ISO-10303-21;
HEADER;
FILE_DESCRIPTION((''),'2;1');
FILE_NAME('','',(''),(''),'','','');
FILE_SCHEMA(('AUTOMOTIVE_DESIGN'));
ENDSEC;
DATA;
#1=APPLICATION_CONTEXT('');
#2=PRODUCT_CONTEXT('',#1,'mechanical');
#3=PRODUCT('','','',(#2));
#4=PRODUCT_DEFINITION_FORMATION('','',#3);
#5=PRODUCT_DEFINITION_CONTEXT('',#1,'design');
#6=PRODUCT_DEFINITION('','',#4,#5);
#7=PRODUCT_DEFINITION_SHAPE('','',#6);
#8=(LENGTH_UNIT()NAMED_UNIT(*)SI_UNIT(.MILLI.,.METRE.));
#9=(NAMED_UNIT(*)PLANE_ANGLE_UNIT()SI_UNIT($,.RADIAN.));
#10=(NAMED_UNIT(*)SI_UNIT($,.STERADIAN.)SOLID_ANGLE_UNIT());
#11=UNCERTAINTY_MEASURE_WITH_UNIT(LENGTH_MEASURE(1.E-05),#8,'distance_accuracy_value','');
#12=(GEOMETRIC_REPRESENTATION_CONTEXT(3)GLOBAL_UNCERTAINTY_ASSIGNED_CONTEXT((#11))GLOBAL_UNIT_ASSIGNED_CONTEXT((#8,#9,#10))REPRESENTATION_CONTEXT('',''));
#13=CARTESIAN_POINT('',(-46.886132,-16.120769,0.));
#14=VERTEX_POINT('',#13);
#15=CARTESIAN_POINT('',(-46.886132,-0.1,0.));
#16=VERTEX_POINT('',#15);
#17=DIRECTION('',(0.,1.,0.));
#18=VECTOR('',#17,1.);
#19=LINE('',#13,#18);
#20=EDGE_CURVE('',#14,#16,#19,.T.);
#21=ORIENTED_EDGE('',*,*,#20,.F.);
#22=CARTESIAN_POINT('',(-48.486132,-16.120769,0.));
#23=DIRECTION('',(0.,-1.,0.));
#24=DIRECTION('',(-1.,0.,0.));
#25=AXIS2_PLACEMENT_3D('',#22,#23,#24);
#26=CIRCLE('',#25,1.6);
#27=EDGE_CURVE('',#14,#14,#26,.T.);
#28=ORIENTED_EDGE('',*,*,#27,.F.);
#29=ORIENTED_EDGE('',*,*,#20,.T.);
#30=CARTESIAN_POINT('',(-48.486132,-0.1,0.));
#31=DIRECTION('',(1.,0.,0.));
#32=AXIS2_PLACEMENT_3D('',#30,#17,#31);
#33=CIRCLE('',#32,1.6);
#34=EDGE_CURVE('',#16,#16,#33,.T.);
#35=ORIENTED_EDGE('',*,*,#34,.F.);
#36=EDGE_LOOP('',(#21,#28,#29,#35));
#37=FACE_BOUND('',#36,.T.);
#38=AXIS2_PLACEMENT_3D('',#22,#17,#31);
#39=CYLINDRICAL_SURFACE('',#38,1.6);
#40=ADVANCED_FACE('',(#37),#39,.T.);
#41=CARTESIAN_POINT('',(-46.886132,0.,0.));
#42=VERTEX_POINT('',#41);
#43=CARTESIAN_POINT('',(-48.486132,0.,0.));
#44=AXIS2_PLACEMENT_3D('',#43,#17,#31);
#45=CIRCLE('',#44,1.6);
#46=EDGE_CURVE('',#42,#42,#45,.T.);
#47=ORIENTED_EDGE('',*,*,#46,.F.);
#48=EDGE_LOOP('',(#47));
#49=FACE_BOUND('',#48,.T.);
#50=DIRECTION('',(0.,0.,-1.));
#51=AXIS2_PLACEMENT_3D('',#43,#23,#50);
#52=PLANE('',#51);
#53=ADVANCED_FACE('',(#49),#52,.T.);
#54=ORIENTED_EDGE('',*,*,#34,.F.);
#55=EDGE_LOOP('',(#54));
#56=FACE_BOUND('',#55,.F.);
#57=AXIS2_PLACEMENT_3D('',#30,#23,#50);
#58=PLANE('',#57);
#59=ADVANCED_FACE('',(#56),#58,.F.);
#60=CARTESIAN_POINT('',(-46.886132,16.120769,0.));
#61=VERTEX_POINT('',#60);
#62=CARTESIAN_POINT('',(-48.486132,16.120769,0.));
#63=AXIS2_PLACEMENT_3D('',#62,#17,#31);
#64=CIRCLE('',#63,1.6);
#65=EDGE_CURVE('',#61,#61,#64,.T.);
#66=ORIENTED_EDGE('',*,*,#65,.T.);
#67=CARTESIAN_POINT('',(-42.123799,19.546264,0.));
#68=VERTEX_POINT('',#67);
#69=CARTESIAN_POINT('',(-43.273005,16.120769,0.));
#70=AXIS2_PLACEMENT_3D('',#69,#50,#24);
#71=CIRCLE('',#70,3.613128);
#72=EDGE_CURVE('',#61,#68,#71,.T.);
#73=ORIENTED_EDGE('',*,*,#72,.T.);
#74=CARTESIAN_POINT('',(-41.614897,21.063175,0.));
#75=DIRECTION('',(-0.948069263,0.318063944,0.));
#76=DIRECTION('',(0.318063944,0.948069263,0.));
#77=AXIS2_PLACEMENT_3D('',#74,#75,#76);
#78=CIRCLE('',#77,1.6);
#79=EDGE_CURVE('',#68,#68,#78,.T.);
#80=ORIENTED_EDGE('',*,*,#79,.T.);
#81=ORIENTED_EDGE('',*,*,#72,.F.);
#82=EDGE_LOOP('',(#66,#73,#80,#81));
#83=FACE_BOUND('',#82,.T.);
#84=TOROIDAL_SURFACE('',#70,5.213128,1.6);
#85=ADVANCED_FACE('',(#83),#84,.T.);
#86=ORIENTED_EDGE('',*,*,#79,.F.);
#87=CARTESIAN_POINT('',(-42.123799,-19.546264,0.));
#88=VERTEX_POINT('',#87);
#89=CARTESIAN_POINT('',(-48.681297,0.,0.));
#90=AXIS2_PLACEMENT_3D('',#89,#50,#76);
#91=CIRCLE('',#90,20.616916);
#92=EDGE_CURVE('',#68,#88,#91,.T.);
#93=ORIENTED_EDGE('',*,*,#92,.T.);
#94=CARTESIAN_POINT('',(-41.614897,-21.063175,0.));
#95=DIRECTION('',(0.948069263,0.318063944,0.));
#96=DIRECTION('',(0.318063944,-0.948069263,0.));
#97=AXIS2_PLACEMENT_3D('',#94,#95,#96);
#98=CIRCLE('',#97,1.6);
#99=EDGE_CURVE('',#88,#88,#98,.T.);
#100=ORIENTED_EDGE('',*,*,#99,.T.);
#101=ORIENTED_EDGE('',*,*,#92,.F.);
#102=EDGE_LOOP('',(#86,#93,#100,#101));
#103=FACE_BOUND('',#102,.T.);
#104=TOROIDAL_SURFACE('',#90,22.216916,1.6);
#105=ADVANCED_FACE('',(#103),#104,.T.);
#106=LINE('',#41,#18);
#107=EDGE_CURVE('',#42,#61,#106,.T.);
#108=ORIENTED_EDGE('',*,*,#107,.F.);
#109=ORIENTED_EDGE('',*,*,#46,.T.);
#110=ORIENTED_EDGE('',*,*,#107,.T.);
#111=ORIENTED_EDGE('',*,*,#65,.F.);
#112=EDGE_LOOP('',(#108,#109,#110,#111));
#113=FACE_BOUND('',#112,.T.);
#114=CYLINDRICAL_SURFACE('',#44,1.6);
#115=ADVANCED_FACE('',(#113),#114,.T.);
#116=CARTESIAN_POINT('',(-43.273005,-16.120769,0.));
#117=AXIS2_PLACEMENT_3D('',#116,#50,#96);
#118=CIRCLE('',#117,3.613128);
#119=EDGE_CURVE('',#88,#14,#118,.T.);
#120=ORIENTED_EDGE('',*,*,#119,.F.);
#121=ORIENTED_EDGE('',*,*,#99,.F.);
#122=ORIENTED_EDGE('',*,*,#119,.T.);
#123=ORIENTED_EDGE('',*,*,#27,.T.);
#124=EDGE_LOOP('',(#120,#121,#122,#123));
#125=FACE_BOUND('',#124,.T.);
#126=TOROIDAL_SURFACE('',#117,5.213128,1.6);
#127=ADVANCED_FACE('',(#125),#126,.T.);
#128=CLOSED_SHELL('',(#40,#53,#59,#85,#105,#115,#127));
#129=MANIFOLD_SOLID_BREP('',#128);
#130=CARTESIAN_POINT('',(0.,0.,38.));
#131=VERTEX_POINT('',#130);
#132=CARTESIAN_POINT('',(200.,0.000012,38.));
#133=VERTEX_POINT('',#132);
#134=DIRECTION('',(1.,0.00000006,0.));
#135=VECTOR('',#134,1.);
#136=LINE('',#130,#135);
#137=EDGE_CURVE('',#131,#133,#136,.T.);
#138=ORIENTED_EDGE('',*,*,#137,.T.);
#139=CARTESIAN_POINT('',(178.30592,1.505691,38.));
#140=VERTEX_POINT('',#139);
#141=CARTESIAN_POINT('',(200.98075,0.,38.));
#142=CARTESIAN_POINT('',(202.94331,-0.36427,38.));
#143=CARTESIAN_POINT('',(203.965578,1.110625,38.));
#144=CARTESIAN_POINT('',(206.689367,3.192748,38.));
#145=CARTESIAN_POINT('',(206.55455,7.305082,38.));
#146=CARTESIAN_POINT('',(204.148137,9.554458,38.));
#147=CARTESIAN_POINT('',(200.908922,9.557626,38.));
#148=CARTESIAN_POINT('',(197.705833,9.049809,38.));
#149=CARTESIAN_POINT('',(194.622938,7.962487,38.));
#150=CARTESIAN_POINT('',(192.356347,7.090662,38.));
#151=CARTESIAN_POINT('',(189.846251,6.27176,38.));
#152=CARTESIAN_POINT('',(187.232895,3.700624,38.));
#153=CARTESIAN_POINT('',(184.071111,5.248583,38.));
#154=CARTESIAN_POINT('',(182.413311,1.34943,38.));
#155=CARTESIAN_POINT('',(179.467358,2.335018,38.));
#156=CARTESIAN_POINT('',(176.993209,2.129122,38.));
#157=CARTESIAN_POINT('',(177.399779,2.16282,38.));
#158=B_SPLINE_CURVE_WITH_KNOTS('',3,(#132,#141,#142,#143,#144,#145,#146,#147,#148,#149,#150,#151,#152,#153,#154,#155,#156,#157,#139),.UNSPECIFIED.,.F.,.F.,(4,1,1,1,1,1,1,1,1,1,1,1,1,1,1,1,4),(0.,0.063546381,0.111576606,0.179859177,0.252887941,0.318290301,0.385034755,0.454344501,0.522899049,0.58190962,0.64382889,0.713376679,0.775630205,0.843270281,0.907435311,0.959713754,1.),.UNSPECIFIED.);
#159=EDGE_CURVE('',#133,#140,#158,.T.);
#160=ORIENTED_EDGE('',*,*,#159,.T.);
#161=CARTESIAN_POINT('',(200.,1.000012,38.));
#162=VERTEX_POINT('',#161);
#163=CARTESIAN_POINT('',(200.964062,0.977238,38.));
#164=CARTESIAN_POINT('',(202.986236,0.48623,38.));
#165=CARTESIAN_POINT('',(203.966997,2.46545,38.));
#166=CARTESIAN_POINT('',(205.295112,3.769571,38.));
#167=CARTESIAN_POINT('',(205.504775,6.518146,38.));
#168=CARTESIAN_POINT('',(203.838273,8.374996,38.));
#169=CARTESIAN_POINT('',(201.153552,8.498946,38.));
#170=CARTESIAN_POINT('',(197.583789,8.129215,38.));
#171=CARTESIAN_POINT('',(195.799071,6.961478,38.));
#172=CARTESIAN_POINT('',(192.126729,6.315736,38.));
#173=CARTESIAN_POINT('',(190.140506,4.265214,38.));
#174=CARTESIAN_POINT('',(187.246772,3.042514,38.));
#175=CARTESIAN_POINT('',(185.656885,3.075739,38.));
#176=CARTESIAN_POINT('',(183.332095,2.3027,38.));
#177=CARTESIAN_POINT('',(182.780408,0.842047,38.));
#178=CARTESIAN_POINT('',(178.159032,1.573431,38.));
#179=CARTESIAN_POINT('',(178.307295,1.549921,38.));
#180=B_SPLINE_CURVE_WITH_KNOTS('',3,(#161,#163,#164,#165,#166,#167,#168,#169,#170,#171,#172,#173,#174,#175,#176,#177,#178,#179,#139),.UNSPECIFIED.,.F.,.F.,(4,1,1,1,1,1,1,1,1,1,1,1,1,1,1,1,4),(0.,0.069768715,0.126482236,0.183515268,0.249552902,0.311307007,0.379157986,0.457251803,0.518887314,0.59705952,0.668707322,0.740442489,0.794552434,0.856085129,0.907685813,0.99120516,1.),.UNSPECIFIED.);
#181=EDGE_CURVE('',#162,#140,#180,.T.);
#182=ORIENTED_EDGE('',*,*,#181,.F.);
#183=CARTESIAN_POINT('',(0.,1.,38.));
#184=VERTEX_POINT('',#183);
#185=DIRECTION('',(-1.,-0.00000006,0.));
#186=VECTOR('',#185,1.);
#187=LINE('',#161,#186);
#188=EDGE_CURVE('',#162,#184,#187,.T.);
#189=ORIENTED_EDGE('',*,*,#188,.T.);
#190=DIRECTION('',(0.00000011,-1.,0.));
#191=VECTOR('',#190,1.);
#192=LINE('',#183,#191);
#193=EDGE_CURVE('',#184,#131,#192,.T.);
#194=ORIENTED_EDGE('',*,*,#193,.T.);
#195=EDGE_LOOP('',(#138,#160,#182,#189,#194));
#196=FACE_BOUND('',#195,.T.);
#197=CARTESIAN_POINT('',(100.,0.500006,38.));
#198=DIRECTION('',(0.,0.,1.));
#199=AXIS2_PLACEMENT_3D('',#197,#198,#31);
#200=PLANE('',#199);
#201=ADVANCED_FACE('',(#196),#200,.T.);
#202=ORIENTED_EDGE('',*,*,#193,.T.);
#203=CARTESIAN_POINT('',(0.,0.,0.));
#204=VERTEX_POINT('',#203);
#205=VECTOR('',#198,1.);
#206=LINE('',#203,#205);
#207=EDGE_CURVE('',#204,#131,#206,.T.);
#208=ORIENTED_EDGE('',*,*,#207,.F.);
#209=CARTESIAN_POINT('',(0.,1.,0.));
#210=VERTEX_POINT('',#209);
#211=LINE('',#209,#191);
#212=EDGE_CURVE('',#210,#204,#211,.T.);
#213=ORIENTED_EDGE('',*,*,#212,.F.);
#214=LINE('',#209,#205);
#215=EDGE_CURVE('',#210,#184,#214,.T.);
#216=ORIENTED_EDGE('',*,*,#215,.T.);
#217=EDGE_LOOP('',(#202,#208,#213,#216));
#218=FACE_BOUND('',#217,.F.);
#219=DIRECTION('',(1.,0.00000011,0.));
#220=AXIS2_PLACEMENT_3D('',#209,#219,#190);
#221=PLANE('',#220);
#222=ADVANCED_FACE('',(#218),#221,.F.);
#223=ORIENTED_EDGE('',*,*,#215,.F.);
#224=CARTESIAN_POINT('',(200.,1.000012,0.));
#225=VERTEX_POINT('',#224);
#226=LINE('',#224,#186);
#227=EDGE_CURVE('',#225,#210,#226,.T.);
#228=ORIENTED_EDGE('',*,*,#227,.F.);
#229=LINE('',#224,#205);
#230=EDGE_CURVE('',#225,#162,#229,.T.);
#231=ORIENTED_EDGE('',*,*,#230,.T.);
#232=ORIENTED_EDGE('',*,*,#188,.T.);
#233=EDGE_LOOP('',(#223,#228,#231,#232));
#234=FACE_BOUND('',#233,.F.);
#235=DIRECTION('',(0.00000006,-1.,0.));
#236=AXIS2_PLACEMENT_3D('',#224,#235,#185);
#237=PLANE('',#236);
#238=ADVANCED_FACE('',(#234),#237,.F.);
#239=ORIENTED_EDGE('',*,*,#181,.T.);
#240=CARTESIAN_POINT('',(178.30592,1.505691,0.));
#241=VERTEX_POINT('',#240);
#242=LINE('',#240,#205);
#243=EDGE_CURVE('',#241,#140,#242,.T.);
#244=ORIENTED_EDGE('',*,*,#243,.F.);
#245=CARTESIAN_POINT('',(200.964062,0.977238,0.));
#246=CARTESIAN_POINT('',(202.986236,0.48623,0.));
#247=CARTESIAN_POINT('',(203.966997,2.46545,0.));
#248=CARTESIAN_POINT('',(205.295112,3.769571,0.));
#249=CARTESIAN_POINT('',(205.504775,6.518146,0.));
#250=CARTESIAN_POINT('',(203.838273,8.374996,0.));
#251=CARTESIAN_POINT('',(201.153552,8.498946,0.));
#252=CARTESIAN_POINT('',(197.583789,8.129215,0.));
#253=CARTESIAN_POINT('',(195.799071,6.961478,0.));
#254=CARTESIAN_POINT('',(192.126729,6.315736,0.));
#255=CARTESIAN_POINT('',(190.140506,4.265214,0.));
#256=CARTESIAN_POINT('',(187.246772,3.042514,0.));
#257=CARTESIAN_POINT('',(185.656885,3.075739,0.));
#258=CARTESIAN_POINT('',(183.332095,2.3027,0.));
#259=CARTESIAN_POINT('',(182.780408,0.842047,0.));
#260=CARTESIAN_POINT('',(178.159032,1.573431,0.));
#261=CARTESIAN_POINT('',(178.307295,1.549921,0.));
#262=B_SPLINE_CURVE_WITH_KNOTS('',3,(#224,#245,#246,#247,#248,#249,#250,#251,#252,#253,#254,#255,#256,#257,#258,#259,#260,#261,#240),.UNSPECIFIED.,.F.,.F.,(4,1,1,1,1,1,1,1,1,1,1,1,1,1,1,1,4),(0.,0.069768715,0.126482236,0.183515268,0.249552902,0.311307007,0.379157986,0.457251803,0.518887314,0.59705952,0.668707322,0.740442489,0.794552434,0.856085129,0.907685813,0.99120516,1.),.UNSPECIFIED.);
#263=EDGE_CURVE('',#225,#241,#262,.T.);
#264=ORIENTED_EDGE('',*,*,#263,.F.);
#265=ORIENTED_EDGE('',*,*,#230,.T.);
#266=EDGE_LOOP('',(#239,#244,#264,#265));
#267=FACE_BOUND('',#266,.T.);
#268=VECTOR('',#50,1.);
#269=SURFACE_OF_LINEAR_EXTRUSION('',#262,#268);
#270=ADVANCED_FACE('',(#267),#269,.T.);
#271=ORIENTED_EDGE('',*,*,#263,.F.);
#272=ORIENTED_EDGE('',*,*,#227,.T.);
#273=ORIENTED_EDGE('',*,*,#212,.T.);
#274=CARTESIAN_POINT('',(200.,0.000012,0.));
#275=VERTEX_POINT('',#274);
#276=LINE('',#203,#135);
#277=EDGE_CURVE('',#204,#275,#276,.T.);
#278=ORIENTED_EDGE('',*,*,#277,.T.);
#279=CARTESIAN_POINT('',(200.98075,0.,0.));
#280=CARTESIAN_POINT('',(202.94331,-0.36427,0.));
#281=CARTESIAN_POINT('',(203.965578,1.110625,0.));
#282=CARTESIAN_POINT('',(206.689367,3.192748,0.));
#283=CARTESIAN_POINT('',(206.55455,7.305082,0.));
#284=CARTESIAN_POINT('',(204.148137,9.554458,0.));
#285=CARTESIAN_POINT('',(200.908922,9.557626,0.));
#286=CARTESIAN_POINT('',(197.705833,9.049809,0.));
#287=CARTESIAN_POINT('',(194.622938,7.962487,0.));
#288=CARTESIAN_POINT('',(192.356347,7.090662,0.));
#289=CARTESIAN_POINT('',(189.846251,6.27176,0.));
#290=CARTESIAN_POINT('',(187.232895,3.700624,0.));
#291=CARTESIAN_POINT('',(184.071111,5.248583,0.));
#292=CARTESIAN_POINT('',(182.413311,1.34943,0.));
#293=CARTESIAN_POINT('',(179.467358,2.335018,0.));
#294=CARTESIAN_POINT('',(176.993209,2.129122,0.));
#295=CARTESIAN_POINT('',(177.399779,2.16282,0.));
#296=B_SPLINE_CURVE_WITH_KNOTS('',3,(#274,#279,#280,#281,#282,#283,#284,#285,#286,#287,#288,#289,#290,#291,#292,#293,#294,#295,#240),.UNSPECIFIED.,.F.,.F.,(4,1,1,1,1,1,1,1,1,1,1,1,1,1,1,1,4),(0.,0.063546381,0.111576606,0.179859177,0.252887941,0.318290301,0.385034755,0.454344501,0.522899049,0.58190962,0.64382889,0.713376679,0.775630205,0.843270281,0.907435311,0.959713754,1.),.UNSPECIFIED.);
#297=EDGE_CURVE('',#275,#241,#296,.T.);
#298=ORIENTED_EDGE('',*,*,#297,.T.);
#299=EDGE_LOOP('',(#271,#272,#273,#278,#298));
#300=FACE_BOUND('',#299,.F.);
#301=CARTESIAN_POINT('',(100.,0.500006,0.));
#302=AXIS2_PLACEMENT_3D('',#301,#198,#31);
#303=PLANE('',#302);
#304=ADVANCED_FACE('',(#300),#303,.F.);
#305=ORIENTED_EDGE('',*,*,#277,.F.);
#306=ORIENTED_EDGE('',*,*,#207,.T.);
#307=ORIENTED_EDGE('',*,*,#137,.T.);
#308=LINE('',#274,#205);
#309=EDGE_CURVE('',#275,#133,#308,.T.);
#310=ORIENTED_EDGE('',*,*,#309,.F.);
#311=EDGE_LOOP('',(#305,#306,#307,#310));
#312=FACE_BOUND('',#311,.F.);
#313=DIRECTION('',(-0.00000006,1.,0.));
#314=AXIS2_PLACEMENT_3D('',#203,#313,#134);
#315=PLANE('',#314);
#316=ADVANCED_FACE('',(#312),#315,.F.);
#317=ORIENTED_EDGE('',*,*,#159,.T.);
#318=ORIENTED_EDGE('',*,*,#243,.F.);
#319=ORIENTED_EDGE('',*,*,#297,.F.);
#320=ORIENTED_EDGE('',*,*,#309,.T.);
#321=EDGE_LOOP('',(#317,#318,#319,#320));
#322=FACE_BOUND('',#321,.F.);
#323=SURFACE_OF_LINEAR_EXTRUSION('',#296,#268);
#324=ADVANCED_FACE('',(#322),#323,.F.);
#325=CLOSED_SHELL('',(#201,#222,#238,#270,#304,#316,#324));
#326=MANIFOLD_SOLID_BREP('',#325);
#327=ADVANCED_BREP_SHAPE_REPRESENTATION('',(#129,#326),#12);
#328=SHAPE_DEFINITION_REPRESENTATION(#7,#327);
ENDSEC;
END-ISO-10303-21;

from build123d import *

# Parameters (mm, degrees)
F1_R     = 1.6
F4_DEPTH = 38


with BuildPart() as f2:
    # F2: sweep along a path in F0
    with BuildLine(Plane.XY) as f2_path:
        Line((-48.2730045915, 0), (-48.2730045915, 16.1207691055))
        ThreePointArc((-48.2730045915, 16.1207691055), (-46.1926279758, 20.1798083137), (-41.6826848739, 20.8611154215))
        ThreePointArc((-41.6826848739, 20.8611154215), (-26.6775082095, 0), (-41.6826848739, -20.8611154215))
        ThreePointArc((-41.6826848739, -20.8611154215), (-46.1926279758, -20.1798083137), (-48.2730045915, -16.1207691055))
        Line((-48.2730045915, -16.1207691055), (-48.2730045915, -0.1))
    # F1 (on Front) → F2 (sweep)
    with BuildSketch(Plane.XZ):
        with Locations((-48.4861321747, 0)):
            Circle(F1_R)
    sweep(path=f2_path.line)


with BuildPart() as f4:
    # F3 (on Top) → F4 (new body)
    with BuildSketch(Plane.XY):
        Polygon((-1.098e-07, 1), (0, 0), (200, 1.20407e-05), (199.9999998902, 1.0000120407), align=None)
        with BuildLine():
            Line((199.9999998902, 1.0000120407), (200, 1.20407e-05))
            add(Edge.make_bspline(
                [(200, 1.20407e-05), (200.9807500539, 0), (202.9433099818, -0.3642698073), (203.9655779118, 1.110624506), (206.6893671115, 3.1927477524), (206.5545501107, 7.3050818493), (204.1481371044, 9.5544578209), (200.9089222667, 9.5576256871), (197.7058334097, 9.0498090849), (194.622937995, 7.9624874947), (192.3563471907, 7.0906619697), (189.8462506244, 6.271760034), (187.2328948974, 3.7006243467), (184.0711106871, 5.2485833483), (182.4133113044, 1.3494301269), (179.467357579, 2.3350177184), (176.9932090107, 2.1291223361), (177.3997787065, 2.1628203615), (178.3059202682, 1.505690514)],
                knots=[0, 0, 0, 0, 0.0635463813, 0.1115766064, 0.179859177, 0.2528879414, 0.3182903008, 0.3850347549, 0.4543445015, 0.5228990494, 0.5819096202, 0.6438288897, 0.7133766788, 0.775630205, 0.8432702813, 0.9074353106, 0.9597137538, 1, 1, 1, 1], degree=3))
            add(Edge.make_bspline(
                [(199.9999998902, 1.0000120407), (200.9640615039, 0.9772382615), (202.9862364129, 0.4862296543), (203.966997157, 2.4654498486), (205.2951119505, 3.7695711126), (205.5047752093, 6.518146126), (203.8382725035, 8.3749963441), (201.1535520891, 8.498946131), (197.5837886015, 8.129214801), (195.7990707631, 6.9614775846), (192.126728694, 6.3157355194), (190.1405056258, 4.2652140086), (187.2467719869, 3.0425140897), (185.6568853555, 3.0757389512), (183.3320949813, 2.3026999363), (182.780407847, 0.8420474111), (178.1590316834, 1.5734307646), (178.3072946099, 1.5499213927), (178.3059202682, 1.505690514)],
                knots=[0, 0, 0, 0, 0.0697687155, 0.1264822363, 0.1835152683, 0.2495529024, 0.3113070072, 0.3791579858, 0.4572518025, 0.5188873141, 0.59705952, 0.6687073216, 0.7404424885, 0.794552434, 0.8560851292, 0.9076858126, 0.9912051602, 1, 1, 1, 1], degree=3))
        make_face()
    extrude(amount=F4_DEPTH)


solid = Compound([f2.part, f4.part])
